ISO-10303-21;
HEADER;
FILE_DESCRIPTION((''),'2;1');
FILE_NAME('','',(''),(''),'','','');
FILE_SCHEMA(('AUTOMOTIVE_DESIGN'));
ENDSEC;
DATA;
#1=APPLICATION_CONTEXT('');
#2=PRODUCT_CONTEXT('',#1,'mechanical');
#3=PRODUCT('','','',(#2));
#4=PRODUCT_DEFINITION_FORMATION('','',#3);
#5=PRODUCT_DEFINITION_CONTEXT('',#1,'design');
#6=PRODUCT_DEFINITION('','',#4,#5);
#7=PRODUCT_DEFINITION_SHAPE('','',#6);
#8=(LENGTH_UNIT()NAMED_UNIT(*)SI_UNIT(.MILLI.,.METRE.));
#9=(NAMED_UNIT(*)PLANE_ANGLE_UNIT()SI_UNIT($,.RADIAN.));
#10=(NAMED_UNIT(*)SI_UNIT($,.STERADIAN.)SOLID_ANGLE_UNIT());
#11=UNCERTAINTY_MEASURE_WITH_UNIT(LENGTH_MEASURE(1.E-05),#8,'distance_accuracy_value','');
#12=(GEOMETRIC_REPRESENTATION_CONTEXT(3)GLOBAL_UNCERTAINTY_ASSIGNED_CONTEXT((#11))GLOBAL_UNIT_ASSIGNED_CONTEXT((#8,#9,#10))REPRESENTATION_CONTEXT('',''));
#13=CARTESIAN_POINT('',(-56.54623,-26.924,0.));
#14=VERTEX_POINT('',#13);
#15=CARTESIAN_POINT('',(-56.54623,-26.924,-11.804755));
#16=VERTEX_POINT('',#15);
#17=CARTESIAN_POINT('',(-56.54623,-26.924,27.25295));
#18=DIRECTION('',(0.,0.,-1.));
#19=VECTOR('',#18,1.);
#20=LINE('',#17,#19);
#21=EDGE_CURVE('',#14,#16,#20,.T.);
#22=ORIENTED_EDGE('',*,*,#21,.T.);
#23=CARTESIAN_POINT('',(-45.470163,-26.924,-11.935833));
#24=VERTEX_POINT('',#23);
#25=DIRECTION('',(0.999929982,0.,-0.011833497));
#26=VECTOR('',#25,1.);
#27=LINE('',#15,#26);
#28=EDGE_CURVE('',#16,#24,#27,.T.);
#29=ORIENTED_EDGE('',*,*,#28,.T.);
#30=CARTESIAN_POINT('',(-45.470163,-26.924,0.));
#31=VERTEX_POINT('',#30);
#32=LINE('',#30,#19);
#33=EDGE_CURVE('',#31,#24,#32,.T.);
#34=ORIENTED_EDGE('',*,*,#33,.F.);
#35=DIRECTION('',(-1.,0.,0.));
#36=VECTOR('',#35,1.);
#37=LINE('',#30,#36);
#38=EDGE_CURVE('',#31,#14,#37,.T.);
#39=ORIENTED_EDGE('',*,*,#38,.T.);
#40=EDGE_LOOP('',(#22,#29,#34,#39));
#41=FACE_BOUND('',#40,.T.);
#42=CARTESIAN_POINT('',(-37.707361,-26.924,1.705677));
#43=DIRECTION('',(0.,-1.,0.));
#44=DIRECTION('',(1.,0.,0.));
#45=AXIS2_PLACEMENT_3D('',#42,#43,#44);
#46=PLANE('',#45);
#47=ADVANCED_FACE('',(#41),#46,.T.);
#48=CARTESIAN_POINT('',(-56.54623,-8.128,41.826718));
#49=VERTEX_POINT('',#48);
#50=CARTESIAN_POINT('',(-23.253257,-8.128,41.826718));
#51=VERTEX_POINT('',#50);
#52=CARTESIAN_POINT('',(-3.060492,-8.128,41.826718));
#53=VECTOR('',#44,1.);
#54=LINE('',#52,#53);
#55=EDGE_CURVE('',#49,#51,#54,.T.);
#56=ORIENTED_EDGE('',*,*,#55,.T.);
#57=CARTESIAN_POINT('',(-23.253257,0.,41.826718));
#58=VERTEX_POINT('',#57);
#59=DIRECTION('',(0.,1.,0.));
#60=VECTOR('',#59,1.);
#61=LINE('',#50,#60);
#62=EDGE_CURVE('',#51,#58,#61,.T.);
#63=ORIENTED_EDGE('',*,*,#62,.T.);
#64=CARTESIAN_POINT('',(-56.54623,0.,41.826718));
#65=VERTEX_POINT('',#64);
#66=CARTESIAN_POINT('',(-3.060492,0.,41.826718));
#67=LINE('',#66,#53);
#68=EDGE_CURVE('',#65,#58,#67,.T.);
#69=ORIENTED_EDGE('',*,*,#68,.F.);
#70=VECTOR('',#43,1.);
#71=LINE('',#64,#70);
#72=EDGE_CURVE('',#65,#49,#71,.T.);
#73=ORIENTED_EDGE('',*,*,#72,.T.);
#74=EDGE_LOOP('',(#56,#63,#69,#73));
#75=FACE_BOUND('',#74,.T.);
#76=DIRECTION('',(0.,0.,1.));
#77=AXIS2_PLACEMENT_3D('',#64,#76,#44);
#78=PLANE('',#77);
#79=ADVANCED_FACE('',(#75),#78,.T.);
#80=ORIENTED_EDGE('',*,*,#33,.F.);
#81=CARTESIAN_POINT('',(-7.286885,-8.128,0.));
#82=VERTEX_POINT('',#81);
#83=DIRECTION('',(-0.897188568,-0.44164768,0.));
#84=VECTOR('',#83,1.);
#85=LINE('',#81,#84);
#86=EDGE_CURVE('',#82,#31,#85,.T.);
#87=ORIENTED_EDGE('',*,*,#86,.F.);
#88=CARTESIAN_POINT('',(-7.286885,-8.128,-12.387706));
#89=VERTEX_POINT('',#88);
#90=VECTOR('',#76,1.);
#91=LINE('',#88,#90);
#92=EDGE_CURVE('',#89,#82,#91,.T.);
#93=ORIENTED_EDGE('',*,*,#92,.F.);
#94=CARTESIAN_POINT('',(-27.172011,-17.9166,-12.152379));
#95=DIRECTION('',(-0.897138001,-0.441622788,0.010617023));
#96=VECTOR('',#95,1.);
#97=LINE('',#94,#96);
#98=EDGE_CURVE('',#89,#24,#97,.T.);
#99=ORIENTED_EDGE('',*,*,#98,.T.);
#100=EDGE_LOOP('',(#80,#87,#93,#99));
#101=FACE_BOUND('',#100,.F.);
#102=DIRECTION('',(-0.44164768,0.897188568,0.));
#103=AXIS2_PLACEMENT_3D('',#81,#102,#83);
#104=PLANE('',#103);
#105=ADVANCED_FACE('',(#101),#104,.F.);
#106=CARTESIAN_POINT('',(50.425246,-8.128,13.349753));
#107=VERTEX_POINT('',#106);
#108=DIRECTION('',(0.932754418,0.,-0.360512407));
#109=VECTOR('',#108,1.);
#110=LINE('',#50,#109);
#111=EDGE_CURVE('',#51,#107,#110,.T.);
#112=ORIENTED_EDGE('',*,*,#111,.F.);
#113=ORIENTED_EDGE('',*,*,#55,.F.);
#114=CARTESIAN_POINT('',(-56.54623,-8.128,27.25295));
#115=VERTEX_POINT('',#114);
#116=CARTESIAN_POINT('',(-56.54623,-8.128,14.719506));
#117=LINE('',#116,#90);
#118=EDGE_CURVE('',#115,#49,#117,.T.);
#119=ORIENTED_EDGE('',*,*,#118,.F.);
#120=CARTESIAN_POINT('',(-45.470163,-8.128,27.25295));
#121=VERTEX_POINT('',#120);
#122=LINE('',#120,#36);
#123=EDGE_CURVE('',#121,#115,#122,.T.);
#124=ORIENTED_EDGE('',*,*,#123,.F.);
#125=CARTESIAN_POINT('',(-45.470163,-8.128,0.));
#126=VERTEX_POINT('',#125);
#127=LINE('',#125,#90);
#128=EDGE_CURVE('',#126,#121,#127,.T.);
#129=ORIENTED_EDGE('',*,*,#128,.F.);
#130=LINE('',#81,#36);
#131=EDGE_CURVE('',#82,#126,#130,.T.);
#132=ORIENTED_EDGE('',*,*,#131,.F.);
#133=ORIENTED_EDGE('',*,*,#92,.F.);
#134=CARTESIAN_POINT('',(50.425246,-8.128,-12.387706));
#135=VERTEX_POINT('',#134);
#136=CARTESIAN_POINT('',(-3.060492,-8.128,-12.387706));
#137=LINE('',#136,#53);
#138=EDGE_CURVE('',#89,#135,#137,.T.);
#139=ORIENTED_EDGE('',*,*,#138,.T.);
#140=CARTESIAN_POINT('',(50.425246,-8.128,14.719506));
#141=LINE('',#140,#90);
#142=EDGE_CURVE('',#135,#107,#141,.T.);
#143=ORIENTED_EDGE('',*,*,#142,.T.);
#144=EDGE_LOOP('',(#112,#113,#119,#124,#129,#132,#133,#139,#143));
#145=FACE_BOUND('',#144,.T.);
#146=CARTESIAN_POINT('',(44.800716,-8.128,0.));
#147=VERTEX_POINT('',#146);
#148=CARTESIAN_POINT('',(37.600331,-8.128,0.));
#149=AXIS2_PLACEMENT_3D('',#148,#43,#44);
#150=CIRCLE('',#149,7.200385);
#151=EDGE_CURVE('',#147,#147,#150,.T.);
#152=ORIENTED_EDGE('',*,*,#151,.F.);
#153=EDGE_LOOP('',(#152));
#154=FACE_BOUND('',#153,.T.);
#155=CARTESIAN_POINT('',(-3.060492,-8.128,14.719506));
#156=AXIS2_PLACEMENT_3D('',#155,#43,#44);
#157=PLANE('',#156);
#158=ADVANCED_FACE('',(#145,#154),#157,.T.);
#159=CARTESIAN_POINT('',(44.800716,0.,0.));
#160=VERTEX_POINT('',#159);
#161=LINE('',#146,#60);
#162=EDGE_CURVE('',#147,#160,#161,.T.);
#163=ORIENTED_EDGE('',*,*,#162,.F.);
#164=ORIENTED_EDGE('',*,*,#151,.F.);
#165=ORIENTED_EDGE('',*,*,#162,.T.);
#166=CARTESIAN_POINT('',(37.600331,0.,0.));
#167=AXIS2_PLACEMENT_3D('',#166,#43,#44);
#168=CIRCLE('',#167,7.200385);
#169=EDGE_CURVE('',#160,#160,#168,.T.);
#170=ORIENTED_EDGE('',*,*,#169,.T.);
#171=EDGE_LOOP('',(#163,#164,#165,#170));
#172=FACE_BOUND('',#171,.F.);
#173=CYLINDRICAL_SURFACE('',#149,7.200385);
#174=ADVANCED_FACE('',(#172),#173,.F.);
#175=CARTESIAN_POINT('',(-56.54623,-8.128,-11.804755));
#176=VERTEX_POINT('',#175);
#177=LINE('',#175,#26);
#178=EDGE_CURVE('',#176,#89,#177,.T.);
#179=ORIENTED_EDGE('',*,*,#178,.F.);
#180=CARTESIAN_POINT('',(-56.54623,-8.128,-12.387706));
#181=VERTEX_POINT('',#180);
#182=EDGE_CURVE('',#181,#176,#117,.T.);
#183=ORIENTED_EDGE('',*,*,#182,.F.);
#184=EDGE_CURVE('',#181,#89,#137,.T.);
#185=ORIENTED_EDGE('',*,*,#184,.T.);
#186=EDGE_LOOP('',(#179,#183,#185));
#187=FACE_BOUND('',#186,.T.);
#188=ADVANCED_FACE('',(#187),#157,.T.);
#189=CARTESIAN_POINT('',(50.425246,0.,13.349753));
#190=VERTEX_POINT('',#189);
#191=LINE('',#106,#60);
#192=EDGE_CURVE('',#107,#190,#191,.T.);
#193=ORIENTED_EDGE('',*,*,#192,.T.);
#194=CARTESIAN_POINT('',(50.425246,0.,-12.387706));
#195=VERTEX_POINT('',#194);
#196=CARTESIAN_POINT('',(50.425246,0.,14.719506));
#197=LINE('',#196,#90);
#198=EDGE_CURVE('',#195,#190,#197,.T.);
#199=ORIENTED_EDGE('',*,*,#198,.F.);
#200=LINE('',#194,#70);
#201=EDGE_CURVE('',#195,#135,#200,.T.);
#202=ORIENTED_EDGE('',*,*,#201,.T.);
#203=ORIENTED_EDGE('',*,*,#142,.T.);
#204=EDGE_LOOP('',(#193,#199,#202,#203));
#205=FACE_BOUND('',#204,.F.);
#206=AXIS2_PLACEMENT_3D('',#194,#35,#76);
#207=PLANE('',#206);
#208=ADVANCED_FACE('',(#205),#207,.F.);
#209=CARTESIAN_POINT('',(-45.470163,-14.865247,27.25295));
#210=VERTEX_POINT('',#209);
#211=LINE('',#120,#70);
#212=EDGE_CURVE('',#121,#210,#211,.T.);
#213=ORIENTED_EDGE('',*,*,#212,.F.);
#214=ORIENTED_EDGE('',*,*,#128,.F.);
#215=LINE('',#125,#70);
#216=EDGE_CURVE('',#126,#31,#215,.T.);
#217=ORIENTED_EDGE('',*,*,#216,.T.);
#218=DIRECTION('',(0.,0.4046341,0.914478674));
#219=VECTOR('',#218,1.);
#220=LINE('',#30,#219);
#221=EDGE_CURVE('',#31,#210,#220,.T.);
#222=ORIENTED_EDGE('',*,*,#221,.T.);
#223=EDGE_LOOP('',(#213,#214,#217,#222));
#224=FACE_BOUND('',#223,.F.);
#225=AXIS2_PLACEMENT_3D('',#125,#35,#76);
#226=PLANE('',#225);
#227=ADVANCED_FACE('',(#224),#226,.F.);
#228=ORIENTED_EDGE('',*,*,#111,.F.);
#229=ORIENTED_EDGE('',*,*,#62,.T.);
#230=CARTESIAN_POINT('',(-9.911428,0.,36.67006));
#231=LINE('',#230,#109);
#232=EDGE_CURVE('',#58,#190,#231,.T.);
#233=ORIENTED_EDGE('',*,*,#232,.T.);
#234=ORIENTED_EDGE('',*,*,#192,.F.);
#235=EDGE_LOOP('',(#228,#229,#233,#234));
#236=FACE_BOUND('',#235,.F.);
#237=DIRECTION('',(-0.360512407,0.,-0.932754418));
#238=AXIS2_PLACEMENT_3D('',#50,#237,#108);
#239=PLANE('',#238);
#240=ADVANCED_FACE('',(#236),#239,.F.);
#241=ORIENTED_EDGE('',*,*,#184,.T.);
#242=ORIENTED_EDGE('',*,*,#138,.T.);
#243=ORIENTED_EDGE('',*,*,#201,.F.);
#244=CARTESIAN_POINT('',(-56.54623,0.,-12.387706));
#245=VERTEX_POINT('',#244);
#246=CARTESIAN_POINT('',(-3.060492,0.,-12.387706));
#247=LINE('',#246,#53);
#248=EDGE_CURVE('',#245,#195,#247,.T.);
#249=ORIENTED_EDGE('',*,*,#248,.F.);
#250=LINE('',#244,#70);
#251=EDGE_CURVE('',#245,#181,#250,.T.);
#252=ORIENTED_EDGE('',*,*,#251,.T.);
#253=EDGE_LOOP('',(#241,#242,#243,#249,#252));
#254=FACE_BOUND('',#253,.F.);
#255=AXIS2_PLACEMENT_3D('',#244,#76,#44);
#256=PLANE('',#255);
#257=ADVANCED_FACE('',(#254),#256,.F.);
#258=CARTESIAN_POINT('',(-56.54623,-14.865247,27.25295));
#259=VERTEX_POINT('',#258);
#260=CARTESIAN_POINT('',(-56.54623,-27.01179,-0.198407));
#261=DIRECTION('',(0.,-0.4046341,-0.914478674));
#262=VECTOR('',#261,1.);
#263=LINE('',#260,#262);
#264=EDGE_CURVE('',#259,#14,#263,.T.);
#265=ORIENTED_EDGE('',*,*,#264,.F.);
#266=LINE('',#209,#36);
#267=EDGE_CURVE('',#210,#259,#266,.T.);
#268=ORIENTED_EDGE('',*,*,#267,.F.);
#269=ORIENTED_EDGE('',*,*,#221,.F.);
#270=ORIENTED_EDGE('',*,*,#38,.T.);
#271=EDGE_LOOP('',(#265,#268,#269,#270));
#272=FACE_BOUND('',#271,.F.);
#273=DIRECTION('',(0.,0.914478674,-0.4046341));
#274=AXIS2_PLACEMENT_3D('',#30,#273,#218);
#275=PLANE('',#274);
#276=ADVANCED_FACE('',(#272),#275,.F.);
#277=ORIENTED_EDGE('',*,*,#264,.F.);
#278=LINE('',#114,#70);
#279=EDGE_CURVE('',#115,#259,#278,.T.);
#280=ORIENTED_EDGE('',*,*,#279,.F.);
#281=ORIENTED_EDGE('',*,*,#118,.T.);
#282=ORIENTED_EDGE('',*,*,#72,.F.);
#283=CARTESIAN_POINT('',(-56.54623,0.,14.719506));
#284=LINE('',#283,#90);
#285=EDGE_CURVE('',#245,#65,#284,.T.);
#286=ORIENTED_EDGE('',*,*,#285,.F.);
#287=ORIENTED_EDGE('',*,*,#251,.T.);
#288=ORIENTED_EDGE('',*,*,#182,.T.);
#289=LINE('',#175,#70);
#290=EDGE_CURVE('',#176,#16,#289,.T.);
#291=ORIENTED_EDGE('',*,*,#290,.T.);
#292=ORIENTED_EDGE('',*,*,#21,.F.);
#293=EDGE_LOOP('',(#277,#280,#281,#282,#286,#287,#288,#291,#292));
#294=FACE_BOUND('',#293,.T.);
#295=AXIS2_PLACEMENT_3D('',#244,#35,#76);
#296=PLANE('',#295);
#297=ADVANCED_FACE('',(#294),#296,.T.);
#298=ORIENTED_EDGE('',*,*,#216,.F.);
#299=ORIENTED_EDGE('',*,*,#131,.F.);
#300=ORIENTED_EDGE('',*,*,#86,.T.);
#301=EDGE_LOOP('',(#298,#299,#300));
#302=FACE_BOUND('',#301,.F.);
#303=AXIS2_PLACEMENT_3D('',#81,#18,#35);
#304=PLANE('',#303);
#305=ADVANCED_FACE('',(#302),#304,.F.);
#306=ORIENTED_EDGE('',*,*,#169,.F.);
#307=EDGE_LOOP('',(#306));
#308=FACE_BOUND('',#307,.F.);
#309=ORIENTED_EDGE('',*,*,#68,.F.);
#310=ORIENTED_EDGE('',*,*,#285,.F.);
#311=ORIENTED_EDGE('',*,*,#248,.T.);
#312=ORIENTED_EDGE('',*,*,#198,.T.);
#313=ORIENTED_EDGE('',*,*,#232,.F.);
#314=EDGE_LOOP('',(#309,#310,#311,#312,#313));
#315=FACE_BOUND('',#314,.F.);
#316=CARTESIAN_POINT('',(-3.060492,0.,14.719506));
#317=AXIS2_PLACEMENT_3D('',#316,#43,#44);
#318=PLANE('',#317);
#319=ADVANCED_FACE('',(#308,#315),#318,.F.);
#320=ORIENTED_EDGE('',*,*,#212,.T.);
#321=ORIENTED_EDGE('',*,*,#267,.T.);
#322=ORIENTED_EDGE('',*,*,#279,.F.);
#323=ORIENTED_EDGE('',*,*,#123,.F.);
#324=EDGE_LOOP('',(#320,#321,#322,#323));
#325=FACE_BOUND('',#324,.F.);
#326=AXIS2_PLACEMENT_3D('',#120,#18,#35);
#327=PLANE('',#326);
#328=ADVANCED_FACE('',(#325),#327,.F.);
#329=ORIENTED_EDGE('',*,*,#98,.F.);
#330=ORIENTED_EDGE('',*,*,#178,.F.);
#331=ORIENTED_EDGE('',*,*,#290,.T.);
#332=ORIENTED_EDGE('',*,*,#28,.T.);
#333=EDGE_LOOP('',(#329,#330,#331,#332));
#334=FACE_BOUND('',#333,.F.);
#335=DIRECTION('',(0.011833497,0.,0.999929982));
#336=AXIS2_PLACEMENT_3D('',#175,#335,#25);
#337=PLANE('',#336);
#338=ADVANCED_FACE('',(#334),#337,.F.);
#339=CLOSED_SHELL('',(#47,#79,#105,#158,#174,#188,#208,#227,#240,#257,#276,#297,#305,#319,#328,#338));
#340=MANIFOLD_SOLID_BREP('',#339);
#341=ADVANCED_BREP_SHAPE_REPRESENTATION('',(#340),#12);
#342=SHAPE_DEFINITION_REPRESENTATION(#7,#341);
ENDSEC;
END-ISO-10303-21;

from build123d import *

# Parameters (mm, degrees)
F0_W      = 106.971476227
F0_H      = 54.2144235224
F1_DEPTH  = 8.128
F3_DEPTH  = 25.4
F4_R      = 7.2003845792
F5_DEPTH  = 25.4
F7_DEPTH  = 18.796
F9_DEPTH  = 25.4
F11_DEPTH = 25.4


with BuildPart() as f1:
    # F0 (on Front) → F1 (new body)
    with BuildSketch(Plane.XZ):
        with Locations((-3.0604917556, 14.7195057943)):
            Rectangle(F0_W, F0_H)
    extrude(amount=F1_DEPTH)

    # F2 (on face) → F3 (cut)
    with BuildSketch(Plane.XZ.offset(8.128)):
        Polygon((50.4252463579, 41.8267175555), (-23.2532570529, 41.8267175555), (50.4252463579, 13.3497529124), align=None)
    extrude(amount=-F3_DEPTH, mode=Mode.SUBTRACT)

    # F4 (on face) → F5 (cut)
    with BuildSketch(Plane.XZ.offset(8.128)):
        with Locations((37.6003310084, 0)):
            Circle(F4_R)
    extrude(amount=-F5_DEPTH, mode=Mode.SUBTRACT)

    # F6 (on face) → F7 (join)
    with BuildSketch(Plane.XZ.offset(8.128)):
        Polygon((-45.4701632261, 27.2529497743), (-56.5462298691, 27.2529497743), (-56.5462298691, -11.8047548458), (-7.286884822, -12.3877059668), (-7.286884822, 0), (-45.4701632261, 0), align=None)
    extrude(amount=F7_DEPTH)

    # F8 (on face) → F9 (cut)
    with BuildSketch(Plane.XY):
        Polygon((-7.286884822, -8.128), (-45.4701632261, -26.924), (-7.286884822, -26.924), align=None)
    extrude(amount=-F9_DEPTH, mode=Mode.SUBTRACT)

    # F10 (on face) → F11 (cut)
    with BuildSketch(Plane.YZ.offset(-45.4701632261)):
        Polygon((-26.924, 27.2529497743), (-26.924, 0), (-14.8652466014, 27.2529497743), align=None)
    extrude(amount=-F11_DEPTH, mode=Mode.SUBTRACT)


solid = f1.part
